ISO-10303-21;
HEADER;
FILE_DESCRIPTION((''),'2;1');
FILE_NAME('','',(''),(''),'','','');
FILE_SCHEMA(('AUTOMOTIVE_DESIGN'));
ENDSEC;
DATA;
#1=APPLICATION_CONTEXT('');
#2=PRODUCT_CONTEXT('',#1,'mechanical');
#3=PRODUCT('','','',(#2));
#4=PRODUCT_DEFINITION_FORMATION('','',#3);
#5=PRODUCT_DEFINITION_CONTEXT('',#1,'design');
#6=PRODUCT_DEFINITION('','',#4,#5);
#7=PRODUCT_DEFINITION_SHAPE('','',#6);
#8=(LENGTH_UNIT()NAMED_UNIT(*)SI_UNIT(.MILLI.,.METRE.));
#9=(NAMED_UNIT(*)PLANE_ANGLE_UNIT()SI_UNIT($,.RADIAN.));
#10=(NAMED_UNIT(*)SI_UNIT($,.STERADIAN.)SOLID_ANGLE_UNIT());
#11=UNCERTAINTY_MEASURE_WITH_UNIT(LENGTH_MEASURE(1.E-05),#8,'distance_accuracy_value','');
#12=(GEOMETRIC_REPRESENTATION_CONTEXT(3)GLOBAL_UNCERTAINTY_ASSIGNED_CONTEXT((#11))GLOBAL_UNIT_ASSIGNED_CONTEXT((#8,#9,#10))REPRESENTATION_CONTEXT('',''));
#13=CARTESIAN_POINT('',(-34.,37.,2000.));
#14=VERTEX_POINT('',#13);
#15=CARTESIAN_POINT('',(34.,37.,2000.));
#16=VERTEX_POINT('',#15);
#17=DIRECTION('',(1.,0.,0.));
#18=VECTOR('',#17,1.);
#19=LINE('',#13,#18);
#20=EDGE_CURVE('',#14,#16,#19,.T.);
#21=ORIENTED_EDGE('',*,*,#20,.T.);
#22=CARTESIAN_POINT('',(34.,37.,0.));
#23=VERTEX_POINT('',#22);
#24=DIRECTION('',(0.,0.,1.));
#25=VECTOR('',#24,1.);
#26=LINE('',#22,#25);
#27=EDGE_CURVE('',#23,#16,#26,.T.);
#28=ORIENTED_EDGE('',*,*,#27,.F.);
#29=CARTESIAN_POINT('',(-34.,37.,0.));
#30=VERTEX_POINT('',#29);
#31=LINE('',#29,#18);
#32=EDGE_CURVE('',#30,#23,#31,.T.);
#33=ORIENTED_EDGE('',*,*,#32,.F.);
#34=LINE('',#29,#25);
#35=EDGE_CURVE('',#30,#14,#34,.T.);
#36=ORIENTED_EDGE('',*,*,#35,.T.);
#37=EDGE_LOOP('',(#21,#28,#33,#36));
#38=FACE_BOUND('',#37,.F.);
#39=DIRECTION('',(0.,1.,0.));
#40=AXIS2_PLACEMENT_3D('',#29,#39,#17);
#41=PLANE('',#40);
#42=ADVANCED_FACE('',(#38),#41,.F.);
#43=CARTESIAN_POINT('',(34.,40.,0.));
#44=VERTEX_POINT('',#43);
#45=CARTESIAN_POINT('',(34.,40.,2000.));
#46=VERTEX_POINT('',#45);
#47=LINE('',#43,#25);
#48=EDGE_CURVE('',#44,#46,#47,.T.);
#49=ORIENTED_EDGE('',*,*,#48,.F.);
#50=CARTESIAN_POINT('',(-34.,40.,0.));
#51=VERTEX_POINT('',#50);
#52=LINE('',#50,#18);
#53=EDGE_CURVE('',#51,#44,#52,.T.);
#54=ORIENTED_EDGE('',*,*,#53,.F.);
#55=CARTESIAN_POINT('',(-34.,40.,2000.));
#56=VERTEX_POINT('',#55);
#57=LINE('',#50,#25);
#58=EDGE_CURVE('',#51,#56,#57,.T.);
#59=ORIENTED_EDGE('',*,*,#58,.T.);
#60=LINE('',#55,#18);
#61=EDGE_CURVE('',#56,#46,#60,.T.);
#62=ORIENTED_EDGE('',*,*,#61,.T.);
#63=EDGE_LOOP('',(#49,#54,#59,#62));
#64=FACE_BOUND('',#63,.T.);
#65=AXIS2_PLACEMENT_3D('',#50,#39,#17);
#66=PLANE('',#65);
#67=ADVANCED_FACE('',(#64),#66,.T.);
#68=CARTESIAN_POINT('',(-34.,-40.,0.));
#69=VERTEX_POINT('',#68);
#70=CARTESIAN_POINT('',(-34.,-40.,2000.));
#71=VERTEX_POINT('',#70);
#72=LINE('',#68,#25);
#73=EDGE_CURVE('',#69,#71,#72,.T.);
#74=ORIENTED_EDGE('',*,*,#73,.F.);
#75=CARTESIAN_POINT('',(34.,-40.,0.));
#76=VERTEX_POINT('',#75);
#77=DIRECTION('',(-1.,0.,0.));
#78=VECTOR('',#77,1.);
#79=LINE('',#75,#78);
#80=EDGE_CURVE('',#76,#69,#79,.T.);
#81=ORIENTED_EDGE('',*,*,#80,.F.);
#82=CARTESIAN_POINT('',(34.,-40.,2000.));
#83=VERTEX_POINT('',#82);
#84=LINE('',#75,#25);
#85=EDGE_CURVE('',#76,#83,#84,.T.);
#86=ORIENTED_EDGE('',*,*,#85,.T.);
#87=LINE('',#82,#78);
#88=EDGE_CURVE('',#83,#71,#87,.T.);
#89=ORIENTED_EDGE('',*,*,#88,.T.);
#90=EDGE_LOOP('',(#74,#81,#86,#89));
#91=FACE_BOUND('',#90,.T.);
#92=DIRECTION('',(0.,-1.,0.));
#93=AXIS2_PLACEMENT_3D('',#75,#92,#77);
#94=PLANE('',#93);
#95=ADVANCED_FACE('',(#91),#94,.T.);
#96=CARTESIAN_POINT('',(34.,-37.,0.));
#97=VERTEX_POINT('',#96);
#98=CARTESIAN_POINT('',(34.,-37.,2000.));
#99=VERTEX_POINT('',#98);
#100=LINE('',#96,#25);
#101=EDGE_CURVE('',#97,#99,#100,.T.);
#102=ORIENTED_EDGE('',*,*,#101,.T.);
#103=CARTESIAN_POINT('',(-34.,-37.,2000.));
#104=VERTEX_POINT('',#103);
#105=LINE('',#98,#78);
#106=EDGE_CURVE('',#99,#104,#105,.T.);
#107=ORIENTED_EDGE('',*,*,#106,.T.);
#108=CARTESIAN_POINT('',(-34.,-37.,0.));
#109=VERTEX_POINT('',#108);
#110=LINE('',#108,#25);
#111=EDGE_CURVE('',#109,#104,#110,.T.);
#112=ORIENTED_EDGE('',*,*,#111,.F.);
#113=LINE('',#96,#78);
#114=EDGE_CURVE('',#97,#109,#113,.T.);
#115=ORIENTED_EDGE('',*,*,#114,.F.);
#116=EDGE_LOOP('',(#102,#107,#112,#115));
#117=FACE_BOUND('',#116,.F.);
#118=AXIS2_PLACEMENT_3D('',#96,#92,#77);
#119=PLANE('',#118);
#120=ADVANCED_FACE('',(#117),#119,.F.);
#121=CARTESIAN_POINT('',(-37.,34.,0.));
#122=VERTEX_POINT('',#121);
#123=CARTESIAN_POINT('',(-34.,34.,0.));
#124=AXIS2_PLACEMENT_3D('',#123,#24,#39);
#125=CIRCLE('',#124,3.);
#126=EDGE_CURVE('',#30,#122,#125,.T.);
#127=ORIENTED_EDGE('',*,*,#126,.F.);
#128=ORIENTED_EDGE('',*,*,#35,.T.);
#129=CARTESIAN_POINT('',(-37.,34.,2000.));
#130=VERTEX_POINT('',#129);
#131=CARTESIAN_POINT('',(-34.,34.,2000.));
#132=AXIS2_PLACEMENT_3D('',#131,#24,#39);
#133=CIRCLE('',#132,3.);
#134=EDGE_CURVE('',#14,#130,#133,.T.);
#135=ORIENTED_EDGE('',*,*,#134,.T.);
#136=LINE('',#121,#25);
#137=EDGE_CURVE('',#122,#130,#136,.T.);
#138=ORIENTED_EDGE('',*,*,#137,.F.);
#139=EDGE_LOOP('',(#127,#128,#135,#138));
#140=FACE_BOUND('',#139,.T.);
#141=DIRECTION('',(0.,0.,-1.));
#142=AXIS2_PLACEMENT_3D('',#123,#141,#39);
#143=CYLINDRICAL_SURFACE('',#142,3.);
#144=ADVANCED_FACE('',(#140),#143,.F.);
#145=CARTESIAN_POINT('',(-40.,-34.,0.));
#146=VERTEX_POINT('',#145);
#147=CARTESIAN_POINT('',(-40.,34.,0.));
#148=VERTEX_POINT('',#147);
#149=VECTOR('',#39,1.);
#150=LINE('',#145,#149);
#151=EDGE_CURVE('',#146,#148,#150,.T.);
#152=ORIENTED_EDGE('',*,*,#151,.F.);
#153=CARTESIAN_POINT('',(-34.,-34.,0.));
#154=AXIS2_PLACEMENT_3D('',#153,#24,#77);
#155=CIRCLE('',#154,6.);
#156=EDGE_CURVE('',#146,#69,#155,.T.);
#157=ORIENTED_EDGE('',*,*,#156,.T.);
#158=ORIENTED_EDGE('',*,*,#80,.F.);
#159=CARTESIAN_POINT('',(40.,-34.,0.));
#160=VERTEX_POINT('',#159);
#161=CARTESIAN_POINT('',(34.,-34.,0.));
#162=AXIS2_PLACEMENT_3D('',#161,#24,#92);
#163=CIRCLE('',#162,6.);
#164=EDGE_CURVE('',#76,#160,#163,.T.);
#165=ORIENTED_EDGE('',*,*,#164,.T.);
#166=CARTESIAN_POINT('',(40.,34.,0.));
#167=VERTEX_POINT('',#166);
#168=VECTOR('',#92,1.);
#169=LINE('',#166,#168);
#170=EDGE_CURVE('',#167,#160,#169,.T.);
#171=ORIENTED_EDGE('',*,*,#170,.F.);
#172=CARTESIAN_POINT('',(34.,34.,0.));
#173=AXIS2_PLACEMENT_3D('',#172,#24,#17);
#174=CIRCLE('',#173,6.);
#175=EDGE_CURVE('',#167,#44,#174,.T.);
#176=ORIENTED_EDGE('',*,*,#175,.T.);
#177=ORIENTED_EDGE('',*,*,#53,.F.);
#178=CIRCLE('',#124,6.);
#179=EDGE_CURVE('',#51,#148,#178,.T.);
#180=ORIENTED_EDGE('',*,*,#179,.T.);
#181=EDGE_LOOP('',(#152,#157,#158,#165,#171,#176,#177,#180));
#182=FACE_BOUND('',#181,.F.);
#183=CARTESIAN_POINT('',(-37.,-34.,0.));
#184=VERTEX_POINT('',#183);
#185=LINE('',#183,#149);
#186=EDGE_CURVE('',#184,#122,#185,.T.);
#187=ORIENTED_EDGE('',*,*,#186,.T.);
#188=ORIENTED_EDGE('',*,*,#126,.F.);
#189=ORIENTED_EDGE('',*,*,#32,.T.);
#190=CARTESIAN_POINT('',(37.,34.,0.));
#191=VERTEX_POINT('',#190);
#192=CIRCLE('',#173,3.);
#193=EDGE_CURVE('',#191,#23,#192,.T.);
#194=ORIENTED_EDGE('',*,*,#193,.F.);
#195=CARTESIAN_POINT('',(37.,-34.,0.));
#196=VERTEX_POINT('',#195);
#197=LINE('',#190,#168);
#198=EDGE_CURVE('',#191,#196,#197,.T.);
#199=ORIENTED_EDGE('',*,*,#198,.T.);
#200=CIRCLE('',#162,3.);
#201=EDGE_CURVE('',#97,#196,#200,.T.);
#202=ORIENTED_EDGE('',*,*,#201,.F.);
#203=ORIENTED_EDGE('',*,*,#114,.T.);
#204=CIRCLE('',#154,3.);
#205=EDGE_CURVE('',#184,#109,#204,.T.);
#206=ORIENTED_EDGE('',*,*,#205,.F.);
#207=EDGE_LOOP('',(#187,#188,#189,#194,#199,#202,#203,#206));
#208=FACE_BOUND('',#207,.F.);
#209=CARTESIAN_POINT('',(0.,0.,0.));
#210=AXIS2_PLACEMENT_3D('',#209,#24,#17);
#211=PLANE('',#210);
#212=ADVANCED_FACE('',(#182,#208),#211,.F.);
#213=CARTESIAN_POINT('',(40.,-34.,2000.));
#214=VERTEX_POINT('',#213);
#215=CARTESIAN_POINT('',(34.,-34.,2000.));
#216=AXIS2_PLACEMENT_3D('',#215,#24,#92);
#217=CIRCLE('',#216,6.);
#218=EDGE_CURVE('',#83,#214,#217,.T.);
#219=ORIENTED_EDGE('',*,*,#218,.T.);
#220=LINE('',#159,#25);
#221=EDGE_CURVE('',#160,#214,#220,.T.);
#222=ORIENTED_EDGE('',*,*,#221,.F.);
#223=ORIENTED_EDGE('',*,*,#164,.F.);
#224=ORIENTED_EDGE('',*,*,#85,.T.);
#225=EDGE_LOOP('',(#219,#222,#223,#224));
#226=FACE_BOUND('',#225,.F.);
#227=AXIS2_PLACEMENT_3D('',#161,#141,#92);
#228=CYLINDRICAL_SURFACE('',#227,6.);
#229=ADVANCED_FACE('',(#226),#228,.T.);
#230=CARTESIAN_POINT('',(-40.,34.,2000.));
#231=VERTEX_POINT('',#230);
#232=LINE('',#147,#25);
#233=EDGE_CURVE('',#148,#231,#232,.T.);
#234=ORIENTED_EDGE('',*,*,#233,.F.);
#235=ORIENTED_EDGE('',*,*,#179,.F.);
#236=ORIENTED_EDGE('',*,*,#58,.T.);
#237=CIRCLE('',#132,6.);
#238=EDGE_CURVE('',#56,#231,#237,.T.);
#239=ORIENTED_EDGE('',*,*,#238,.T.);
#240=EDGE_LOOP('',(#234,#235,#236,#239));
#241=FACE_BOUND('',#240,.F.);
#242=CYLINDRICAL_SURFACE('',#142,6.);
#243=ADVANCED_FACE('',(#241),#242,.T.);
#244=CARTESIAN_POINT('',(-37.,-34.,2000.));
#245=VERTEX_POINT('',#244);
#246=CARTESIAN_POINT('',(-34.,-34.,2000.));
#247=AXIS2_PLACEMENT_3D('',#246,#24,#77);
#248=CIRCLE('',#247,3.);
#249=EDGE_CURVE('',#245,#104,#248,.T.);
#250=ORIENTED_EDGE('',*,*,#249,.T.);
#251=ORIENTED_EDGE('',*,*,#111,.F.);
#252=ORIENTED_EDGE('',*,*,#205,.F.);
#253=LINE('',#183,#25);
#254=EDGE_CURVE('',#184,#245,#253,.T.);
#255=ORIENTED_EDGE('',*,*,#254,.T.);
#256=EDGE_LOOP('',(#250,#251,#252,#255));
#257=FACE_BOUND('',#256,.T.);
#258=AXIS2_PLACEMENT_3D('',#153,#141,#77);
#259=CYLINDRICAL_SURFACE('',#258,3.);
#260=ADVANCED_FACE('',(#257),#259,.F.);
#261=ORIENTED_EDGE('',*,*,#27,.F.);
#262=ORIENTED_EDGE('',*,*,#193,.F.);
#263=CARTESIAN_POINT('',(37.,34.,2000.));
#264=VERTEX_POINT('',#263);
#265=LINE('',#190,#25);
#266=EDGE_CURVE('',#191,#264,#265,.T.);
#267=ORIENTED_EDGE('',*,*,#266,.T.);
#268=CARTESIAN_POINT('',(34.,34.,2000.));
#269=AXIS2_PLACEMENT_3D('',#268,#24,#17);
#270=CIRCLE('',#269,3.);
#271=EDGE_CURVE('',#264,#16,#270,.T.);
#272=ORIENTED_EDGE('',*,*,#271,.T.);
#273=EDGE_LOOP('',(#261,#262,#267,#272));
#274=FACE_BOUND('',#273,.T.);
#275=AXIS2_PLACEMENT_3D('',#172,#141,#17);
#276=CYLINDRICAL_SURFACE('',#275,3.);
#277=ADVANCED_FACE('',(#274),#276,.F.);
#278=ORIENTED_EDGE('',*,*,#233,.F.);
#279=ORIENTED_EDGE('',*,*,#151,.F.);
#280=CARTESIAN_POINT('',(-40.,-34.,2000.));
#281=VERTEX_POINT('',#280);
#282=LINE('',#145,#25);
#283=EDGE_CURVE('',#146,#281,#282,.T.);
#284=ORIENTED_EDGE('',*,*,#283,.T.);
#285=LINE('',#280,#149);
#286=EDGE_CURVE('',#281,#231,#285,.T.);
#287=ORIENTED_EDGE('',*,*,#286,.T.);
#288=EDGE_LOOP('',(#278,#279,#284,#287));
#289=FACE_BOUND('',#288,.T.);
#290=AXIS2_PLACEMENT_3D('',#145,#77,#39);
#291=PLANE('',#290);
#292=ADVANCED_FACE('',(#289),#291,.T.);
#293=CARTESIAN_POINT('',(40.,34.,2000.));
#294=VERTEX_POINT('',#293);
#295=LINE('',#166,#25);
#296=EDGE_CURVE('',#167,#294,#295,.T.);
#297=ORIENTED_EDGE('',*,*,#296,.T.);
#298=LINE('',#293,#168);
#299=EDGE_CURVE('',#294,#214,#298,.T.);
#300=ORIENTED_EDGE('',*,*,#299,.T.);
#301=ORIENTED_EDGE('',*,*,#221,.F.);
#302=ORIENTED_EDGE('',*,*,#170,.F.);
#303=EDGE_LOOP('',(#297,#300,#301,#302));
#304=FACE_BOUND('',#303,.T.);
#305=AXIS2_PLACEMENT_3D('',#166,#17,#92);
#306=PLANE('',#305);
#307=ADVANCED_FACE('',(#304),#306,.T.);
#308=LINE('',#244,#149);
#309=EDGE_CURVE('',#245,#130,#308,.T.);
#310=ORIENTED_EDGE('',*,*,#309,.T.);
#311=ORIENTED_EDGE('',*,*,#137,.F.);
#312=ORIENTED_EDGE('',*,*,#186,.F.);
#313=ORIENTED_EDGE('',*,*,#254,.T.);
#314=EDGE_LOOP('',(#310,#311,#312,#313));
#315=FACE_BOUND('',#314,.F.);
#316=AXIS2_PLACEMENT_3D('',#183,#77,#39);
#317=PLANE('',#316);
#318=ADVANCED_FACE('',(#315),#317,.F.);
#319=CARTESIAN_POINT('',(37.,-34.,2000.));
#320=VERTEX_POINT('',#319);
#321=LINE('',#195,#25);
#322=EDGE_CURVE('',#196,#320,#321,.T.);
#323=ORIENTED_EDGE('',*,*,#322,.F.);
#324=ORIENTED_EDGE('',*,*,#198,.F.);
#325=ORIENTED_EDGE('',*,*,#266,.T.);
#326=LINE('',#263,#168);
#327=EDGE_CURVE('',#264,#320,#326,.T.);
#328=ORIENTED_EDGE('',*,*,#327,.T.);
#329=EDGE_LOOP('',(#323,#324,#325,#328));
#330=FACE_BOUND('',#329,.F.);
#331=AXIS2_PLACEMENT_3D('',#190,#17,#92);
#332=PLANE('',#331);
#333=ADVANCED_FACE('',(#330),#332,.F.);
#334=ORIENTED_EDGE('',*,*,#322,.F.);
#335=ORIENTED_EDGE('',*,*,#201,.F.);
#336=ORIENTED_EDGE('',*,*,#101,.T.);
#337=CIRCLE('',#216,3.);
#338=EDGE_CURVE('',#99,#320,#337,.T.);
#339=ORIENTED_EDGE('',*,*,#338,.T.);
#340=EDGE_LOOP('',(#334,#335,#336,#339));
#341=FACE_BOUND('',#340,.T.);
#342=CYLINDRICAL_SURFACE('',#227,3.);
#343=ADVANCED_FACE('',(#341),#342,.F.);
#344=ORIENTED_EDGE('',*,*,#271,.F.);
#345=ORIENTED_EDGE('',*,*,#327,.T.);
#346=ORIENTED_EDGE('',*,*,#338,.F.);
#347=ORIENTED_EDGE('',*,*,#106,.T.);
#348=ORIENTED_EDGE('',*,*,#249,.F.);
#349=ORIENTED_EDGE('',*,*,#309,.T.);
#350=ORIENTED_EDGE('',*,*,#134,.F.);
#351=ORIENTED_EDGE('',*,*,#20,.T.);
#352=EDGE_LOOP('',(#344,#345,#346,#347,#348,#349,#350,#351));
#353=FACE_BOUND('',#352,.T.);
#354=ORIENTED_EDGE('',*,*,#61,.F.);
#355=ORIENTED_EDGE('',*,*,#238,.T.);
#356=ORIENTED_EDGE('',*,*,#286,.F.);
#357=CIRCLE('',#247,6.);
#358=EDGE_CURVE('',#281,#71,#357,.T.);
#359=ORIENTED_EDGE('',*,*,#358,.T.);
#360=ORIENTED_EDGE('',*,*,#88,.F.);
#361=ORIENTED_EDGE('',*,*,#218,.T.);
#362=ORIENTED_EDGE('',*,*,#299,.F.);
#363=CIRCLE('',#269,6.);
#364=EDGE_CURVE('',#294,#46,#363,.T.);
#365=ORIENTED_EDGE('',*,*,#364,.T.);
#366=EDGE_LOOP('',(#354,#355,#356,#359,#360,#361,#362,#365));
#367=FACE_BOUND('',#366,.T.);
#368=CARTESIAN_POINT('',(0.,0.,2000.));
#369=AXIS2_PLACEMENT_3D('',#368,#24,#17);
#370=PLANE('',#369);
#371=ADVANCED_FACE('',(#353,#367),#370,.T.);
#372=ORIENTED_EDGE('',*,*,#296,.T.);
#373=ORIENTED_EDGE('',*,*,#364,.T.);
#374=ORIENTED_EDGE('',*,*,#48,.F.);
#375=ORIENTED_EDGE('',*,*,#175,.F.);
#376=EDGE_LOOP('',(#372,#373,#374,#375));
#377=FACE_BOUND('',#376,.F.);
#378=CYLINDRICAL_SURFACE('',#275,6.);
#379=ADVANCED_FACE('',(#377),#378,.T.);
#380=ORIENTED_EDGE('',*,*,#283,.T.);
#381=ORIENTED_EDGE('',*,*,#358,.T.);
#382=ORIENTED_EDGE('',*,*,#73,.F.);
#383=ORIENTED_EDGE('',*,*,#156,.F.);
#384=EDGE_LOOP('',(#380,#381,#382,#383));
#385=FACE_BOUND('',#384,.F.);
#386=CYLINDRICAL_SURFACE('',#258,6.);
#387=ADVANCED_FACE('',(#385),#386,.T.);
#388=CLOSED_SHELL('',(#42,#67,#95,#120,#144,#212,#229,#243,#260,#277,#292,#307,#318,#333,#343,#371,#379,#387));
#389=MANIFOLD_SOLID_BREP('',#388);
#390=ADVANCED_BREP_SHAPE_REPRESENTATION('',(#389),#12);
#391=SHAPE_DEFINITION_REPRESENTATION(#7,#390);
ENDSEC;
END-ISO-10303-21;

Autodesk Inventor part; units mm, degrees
ref_plane "YZ Plane" through (0, 0, 0) normal (1, 0, 0) x (0, 1, 0)
ref_plane "Start plane" through (0, 0, 0) normal (0, 0, 1) x (1, 0, 0)
ref_plane "End plane" through (0, 0, 2000) normal (0, 0, 1) x (1, 0, 0)
sketch "Sketch" plane through (0, 0, 0) normal (0, 0, 1) x (1, 0, 0)
  line L0 (-40, -34) -> (-40, 34)
  line L1 (-34, 40) -> (34, 40)
  line L2 (40, 34) -> (40, -34)
  line L3 (34, -40) -> (-34, -40)
  arc A0 (-40, -34) -> (-34, -40) centre (-34, -34) ccw
  arc A1 (40, 34) -> (34, 40) centre (34, 34) ccw
  arc A2 (-34, 40) -> (-40, 34) centre (-34, 34) ccw
  arc A3 (34, -40) -> (40, -34) centre (34, -34) ccw
  arc A4 (-34, 37) -> (-37, 34) centre (-34, 34) ccw
  line L4 (-34, 37) -> (34, 37)
  arc A5 (37, 34) -> (34, 37) centre (34, 34) ccw
  line L5 (37, 34) -> (37, -34)
  arc A6 (34, -37) -> (37, -34) centre (34, -34) ccw
  line L6 (34, -37) -> (-34, -37)
  arc A7 (-37, -34) -> (-34, -37) centre (-34, -34) ccw
  line L7 (-37, -34) -> (-37, 34)
  line L8 (0, 43.7397) -> (0, -43.7397) construction
  line L9 (-43.7397, 0) -> (43.7397, 0) construction
  dimension "d7" = 6
  dimension "d9" = 80
  dimension "d11" = 80
  dimension "d12" = 3
  dimension "d15" = 40
  dimension "d16" = 40
extrude "Body" add sketch "Sketch" along normal up to surface (2000 mm away) from surface at 0
sketch "Sketch3" plane through (0, 0, 0) normal (0, 0, 1) x (1, 0, 0)
  line L0 (0, 0) -> (10, 0)
ref_plane "Work Plane3" through (0, 0, 0) normal (0, -1, 0) x (1, 0, 0)
sketch "Sketch4" plane through (0, 0, 0) normal (0, -1, 0) x (1, 0, 0)
  line L0 (-2, 0) -> (12, 0)
  line L1 (-2, 2000) -> (12, 2000)
  dimension "d18" = 2000
equation "\"d7\" = G_IR"
equation "\"d9\" = G_W"
equation "\"d11\" = G_H"
equation "\"d12\" = G_T"
equation "\"d15\" = 0.5 * d9"
equation "\"d16\" = 0.5 * d11"
equation "\"d3\" = G_L"
equation "\"G_W\" = 80"
equation "\"G_H\" = 80"
equation "\"G_T\" = 3"
equation "\"G_IR\" = 6"
equation "\"G_L\" = d18"
equation "\"G_OFFSET_START\" = 0"
equation "\"G_OFFSET_END\" = 0"
properties part number "ISO 10799-2 - 80x80x3 - 2000" material "Steel, Mild"
